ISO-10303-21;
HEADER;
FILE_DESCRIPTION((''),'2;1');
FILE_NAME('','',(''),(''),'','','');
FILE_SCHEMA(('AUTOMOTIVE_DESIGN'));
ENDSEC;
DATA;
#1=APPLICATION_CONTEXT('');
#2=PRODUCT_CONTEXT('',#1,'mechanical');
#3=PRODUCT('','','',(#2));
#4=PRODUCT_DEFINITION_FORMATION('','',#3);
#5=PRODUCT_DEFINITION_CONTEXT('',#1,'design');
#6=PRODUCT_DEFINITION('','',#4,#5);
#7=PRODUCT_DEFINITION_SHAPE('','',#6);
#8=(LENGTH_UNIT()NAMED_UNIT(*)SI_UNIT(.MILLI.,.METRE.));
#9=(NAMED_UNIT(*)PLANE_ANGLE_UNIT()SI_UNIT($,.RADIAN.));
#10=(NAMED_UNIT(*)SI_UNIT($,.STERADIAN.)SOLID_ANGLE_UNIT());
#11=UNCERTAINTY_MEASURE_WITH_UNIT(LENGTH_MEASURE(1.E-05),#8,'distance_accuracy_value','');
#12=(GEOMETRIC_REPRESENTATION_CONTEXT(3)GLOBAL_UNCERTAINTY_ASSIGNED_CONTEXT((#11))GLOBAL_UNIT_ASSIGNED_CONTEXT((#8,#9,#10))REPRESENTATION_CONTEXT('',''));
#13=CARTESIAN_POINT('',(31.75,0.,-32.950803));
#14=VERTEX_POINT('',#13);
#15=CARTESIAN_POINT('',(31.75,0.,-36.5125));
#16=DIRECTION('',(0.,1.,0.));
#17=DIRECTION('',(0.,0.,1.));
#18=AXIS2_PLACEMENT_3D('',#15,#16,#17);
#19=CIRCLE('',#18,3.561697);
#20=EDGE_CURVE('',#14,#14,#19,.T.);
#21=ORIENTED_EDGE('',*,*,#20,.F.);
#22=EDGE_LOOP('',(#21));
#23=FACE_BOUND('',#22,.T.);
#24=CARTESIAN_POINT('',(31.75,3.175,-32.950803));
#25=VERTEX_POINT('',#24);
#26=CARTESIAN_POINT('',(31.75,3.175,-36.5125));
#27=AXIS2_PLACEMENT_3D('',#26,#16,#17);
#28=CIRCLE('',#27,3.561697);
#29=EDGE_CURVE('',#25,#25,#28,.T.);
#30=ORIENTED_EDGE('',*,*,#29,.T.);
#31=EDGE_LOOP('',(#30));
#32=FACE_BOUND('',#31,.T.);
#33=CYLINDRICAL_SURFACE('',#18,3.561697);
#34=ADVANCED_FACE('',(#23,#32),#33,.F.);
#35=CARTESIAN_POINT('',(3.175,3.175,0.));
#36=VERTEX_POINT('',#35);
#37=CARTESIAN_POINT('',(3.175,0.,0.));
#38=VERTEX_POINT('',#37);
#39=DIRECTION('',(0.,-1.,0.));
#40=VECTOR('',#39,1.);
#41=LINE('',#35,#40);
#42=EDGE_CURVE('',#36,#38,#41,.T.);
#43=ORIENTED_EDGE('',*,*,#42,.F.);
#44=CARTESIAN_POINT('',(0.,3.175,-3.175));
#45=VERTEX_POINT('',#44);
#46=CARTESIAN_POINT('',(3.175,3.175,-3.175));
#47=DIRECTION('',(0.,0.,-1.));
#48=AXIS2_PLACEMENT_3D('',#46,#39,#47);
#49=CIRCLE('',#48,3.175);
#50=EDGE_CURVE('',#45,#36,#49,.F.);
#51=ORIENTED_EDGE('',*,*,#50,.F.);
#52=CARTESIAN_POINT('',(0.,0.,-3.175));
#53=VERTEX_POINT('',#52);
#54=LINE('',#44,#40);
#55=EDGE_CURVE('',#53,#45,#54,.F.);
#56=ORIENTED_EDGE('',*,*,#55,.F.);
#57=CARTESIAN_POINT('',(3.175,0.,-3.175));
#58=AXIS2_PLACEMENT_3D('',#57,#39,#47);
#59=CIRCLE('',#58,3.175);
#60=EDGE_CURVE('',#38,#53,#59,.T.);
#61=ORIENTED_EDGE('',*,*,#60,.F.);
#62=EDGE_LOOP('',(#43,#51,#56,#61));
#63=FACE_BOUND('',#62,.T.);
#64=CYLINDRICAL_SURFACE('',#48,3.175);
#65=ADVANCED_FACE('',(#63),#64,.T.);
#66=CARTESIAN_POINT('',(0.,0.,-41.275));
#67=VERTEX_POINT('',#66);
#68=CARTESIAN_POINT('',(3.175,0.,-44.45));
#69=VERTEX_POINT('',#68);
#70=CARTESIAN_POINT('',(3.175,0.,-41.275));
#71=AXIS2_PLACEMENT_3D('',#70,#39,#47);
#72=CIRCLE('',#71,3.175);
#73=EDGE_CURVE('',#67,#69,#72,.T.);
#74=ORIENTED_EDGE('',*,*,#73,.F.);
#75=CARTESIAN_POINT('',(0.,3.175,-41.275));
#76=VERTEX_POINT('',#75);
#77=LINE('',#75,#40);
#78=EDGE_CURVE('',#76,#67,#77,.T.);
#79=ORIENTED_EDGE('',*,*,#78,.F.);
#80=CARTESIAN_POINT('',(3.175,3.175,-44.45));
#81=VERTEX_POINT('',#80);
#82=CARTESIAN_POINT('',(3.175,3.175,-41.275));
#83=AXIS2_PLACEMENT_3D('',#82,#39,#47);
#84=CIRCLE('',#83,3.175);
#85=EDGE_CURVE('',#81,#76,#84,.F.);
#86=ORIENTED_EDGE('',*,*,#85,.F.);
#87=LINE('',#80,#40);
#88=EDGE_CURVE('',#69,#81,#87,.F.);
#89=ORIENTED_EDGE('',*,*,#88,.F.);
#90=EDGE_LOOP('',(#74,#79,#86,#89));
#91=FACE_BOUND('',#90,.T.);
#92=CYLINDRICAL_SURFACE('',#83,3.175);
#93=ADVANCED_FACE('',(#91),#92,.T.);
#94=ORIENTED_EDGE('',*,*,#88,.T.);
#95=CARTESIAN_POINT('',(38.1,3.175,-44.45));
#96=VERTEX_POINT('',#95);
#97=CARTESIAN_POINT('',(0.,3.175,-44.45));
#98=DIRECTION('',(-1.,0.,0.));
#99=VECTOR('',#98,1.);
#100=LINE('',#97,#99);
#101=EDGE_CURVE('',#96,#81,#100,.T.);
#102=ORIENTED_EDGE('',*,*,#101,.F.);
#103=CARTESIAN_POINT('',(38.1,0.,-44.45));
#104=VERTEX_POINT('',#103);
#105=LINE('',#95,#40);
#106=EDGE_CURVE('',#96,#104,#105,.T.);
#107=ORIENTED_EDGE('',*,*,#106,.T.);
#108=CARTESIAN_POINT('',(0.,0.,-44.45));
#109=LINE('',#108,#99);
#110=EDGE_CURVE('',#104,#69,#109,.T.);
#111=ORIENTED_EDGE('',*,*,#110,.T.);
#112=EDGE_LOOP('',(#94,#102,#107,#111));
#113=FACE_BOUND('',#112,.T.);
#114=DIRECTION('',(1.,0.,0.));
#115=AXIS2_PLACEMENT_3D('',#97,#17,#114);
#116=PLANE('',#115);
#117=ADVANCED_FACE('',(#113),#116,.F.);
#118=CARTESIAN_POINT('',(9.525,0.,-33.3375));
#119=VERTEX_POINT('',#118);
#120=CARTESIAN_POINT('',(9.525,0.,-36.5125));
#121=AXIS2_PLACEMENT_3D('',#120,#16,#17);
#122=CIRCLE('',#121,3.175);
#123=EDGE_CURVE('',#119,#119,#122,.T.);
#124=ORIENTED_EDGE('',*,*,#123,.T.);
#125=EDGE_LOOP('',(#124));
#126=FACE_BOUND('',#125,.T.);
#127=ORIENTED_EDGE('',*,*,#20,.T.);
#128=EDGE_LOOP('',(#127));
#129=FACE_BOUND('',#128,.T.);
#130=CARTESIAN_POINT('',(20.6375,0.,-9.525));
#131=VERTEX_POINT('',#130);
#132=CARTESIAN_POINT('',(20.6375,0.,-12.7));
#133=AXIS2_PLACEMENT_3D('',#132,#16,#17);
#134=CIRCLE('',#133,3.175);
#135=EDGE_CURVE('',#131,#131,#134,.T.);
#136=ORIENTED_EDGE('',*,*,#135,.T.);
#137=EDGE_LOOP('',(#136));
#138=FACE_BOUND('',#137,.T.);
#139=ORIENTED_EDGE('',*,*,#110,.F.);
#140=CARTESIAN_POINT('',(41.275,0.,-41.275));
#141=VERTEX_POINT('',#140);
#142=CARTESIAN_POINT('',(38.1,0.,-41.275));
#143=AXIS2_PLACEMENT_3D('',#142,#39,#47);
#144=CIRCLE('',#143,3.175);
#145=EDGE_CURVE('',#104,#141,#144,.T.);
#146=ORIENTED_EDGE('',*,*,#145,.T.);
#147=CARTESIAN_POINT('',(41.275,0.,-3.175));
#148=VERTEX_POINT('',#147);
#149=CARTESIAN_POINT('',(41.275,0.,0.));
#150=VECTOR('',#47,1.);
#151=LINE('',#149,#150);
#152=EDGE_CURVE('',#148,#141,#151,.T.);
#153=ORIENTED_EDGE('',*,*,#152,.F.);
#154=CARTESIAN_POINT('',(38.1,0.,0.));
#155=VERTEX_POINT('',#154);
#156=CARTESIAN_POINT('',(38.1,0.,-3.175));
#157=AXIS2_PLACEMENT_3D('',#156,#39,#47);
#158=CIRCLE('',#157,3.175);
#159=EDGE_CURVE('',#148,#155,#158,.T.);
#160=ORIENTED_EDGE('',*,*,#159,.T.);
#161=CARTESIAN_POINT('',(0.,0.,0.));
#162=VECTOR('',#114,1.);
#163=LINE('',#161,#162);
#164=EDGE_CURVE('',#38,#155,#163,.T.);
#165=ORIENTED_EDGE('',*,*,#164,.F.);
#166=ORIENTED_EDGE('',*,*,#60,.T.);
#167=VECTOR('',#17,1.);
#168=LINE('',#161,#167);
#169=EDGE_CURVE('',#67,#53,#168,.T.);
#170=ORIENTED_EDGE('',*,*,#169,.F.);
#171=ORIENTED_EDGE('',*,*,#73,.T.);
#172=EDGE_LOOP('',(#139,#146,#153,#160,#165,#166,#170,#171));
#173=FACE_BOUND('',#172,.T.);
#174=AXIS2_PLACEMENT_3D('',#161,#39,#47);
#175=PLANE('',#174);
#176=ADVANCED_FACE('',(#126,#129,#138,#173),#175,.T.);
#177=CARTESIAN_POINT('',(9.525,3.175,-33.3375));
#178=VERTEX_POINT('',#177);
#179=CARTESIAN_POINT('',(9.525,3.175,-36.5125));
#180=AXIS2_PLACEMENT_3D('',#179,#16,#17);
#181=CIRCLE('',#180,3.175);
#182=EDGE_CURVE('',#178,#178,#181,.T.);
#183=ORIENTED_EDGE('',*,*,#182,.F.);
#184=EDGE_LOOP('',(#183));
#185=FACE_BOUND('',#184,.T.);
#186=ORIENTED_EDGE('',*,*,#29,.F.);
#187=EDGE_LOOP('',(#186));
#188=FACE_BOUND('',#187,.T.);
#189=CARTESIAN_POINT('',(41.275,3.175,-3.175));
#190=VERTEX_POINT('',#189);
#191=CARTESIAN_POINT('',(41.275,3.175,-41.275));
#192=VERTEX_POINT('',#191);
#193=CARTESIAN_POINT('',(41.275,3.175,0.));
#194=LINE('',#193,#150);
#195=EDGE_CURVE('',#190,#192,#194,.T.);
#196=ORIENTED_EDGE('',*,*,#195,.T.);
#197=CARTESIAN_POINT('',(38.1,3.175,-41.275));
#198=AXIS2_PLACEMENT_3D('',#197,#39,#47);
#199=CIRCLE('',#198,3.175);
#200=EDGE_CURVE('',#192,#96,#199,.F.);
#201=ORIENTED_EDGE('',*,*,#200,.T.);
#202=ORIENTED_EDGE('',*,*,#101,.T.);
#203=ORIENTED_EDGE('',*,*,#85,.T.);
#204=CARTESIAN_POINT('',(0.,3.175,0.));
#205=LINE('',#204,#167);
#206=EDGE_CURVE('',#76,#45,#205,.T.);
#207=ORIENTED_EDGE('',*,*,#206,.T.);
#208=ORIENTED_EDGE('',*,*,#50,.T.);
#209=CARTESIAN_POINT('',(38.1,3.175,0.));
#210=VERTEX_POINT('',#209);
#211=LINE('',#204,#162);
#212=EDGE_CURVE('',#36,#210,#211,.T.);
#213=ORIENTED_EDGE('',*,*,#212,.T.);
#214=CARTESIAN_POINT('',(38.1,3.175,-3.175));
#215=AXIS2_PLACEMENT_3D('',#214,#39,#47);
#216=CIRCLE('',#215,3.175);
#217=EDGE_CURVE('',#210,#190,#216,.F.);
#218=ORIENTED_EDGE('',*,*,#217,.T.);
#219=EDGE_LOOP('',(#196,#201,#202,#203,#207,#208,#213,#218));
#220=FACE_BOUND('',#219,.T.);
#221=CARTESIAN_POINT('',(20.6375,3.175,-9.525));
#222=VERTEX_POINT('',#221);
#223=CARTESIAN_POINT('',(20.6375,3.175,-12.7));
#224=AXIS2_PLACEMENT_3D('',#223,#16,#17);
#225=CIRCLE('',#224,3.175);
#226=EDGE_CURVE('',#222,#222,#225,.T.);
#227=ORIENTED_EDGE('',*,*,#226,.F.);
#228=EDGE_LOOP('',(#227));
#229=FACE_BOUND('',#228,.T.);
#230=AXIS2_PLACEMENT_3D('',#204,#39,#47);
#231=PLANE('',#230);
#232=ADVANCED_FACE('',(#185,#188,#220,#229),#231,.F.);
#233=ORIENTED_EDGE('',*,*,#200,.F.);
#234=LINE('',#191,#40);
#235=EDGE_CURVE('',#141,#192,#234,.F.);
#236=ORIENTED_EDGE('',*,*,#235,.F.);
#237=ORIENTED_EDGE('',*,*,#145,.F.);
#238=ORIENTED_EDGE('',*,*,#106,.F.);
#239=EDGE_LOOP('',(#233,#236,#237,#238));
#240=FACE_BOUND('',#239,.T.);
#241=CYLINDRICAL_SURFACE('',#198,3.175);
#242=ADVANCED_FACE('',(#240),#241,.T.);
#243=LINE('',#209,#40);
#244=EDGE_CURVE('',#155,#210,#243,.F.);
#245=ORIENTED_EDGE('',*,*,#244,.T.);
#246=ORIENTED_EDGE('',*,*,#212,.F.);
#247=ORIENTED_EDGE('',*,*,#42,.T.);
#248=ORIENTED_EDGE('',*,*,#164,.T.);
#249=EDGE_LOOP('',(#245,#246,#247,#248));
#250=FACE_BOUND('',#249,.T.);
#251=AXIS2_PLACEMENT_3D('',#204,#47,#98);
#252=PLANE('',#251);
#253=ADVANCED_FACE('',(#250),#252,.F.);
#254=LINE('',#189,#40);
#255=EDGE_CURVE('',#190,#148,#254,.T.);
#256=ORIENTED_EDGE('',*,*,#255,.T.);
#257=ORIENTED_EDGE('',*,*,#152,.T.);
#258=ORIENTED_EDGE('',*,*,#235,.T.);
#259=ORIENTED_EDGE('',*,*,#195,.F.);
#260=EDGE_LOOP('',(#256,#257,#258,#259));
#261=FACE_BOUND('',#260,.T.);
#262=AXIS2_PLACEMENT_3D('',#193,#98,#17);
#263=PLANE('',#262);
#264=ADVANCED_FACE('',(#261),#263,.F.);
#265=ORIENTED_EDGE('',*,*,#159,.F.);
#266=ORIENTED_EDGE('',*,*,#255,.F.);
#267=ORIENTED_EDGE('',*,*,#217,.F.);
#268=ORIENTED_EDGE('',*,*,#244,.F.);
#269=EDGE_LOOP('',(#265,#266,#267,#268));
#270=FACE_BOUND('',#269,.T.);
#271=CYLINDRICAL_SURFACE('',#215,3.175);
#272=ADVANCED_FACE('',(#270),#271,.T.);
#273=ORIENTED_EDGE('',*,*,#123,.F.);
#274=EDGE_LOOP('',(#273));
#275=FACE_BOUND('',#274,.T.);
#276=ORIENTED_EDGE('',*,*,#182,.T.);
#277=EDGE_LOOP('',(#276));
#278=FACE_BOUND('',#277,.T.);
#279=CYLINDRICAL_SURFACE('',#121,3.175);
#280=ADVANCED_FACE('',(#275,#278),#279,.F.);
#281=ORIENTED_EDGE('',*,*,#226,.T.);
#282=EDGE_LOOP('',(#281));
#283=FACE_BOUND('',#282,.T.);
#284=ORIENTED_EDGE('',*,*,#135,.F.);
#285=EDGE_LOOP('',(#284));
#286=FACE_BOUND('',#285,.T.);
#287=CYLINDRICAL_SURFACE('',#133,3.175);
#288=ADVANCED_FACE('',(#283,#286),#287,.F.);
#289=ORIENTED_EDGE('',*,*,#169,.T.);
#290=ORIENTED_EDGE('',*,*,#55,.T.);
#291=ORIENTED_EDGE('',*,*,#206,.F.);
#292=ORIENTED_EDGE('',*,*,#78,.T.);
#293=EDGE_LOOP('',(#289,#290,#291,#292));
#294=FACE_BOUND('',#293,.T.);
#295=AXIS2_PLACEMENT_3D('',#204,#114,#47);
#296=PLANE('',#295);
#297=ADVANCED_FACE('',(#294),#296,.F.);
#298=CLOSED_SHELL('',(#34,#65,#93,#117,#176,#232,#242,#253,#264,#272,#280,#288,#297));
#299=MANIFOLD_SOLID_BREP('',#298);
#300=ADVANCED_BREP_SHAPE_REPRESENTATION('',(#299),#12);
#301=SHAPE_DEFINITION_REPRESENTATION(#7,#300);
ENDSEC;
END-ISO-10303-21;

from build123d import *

# Parameters (mm, degrees)
SKETCH1_W           = 41.275
SKETCH1_H           = 44.45
BOSS_EXTRUDE1_DEPTH = 3.175
FILLET1_R           = 3.175
SKETCH2_R           = 3.175
SKETCH2_R_2         = 3.561696706
CUT_EXTRUDE1_DEPTH  = 61.741326541


with BuildPart() as part:
    # Sketch1 → Boss-Extrude1 (new body)
    with BuildSketch(Plane(origin=(0, 0, 0), x_dir=(1, 0, 0), z_dir=(0, 1, 0))):
        with Locations((20.6375, 22.225)):
            Rectangle(SKETCH1_W, SKETCH1_H)
    extrude(amount=BOSS_EXTRUDE1_DEPTH)

    # Fillet1
    fillet1_edges = [part.edges().sort_by_distance(p)[0] for p in [
        (0, 1.5875, -44.45),
        (41.275, 1.5875, -44.45),
        (41.275, 1.5875, 0),
        (0, 1.5875, 0),
    ]]
    fillet(fillet1_edges, radius=FILLET1_R)

    # Sketch2 → Cut-Extrude1 (cut, through all)
    with BuildSketch(Plane(origin=(0, 3.175, 0), x_dir=(1, 0, 0), z_dir=(0, 1, 0))):
        with Locations(Location((9.525, 36.5125, 0), (0, 0, 270))):
            Circle(SKETCH2_R)
        with Locations(Location((31.75, 36.5125, 0), (0, 0, 270))):
            Circle(SKETCH2_R_2)
        with Locations(Location((20.6375, 12.7, 0), (0, 0, 270))):
            Circle(SKETCH2_R)
    extrude(amount=-CUT_EXTRUDE1_DEPTH, mode=Mode.SUBTRACT)


solid = part.part
